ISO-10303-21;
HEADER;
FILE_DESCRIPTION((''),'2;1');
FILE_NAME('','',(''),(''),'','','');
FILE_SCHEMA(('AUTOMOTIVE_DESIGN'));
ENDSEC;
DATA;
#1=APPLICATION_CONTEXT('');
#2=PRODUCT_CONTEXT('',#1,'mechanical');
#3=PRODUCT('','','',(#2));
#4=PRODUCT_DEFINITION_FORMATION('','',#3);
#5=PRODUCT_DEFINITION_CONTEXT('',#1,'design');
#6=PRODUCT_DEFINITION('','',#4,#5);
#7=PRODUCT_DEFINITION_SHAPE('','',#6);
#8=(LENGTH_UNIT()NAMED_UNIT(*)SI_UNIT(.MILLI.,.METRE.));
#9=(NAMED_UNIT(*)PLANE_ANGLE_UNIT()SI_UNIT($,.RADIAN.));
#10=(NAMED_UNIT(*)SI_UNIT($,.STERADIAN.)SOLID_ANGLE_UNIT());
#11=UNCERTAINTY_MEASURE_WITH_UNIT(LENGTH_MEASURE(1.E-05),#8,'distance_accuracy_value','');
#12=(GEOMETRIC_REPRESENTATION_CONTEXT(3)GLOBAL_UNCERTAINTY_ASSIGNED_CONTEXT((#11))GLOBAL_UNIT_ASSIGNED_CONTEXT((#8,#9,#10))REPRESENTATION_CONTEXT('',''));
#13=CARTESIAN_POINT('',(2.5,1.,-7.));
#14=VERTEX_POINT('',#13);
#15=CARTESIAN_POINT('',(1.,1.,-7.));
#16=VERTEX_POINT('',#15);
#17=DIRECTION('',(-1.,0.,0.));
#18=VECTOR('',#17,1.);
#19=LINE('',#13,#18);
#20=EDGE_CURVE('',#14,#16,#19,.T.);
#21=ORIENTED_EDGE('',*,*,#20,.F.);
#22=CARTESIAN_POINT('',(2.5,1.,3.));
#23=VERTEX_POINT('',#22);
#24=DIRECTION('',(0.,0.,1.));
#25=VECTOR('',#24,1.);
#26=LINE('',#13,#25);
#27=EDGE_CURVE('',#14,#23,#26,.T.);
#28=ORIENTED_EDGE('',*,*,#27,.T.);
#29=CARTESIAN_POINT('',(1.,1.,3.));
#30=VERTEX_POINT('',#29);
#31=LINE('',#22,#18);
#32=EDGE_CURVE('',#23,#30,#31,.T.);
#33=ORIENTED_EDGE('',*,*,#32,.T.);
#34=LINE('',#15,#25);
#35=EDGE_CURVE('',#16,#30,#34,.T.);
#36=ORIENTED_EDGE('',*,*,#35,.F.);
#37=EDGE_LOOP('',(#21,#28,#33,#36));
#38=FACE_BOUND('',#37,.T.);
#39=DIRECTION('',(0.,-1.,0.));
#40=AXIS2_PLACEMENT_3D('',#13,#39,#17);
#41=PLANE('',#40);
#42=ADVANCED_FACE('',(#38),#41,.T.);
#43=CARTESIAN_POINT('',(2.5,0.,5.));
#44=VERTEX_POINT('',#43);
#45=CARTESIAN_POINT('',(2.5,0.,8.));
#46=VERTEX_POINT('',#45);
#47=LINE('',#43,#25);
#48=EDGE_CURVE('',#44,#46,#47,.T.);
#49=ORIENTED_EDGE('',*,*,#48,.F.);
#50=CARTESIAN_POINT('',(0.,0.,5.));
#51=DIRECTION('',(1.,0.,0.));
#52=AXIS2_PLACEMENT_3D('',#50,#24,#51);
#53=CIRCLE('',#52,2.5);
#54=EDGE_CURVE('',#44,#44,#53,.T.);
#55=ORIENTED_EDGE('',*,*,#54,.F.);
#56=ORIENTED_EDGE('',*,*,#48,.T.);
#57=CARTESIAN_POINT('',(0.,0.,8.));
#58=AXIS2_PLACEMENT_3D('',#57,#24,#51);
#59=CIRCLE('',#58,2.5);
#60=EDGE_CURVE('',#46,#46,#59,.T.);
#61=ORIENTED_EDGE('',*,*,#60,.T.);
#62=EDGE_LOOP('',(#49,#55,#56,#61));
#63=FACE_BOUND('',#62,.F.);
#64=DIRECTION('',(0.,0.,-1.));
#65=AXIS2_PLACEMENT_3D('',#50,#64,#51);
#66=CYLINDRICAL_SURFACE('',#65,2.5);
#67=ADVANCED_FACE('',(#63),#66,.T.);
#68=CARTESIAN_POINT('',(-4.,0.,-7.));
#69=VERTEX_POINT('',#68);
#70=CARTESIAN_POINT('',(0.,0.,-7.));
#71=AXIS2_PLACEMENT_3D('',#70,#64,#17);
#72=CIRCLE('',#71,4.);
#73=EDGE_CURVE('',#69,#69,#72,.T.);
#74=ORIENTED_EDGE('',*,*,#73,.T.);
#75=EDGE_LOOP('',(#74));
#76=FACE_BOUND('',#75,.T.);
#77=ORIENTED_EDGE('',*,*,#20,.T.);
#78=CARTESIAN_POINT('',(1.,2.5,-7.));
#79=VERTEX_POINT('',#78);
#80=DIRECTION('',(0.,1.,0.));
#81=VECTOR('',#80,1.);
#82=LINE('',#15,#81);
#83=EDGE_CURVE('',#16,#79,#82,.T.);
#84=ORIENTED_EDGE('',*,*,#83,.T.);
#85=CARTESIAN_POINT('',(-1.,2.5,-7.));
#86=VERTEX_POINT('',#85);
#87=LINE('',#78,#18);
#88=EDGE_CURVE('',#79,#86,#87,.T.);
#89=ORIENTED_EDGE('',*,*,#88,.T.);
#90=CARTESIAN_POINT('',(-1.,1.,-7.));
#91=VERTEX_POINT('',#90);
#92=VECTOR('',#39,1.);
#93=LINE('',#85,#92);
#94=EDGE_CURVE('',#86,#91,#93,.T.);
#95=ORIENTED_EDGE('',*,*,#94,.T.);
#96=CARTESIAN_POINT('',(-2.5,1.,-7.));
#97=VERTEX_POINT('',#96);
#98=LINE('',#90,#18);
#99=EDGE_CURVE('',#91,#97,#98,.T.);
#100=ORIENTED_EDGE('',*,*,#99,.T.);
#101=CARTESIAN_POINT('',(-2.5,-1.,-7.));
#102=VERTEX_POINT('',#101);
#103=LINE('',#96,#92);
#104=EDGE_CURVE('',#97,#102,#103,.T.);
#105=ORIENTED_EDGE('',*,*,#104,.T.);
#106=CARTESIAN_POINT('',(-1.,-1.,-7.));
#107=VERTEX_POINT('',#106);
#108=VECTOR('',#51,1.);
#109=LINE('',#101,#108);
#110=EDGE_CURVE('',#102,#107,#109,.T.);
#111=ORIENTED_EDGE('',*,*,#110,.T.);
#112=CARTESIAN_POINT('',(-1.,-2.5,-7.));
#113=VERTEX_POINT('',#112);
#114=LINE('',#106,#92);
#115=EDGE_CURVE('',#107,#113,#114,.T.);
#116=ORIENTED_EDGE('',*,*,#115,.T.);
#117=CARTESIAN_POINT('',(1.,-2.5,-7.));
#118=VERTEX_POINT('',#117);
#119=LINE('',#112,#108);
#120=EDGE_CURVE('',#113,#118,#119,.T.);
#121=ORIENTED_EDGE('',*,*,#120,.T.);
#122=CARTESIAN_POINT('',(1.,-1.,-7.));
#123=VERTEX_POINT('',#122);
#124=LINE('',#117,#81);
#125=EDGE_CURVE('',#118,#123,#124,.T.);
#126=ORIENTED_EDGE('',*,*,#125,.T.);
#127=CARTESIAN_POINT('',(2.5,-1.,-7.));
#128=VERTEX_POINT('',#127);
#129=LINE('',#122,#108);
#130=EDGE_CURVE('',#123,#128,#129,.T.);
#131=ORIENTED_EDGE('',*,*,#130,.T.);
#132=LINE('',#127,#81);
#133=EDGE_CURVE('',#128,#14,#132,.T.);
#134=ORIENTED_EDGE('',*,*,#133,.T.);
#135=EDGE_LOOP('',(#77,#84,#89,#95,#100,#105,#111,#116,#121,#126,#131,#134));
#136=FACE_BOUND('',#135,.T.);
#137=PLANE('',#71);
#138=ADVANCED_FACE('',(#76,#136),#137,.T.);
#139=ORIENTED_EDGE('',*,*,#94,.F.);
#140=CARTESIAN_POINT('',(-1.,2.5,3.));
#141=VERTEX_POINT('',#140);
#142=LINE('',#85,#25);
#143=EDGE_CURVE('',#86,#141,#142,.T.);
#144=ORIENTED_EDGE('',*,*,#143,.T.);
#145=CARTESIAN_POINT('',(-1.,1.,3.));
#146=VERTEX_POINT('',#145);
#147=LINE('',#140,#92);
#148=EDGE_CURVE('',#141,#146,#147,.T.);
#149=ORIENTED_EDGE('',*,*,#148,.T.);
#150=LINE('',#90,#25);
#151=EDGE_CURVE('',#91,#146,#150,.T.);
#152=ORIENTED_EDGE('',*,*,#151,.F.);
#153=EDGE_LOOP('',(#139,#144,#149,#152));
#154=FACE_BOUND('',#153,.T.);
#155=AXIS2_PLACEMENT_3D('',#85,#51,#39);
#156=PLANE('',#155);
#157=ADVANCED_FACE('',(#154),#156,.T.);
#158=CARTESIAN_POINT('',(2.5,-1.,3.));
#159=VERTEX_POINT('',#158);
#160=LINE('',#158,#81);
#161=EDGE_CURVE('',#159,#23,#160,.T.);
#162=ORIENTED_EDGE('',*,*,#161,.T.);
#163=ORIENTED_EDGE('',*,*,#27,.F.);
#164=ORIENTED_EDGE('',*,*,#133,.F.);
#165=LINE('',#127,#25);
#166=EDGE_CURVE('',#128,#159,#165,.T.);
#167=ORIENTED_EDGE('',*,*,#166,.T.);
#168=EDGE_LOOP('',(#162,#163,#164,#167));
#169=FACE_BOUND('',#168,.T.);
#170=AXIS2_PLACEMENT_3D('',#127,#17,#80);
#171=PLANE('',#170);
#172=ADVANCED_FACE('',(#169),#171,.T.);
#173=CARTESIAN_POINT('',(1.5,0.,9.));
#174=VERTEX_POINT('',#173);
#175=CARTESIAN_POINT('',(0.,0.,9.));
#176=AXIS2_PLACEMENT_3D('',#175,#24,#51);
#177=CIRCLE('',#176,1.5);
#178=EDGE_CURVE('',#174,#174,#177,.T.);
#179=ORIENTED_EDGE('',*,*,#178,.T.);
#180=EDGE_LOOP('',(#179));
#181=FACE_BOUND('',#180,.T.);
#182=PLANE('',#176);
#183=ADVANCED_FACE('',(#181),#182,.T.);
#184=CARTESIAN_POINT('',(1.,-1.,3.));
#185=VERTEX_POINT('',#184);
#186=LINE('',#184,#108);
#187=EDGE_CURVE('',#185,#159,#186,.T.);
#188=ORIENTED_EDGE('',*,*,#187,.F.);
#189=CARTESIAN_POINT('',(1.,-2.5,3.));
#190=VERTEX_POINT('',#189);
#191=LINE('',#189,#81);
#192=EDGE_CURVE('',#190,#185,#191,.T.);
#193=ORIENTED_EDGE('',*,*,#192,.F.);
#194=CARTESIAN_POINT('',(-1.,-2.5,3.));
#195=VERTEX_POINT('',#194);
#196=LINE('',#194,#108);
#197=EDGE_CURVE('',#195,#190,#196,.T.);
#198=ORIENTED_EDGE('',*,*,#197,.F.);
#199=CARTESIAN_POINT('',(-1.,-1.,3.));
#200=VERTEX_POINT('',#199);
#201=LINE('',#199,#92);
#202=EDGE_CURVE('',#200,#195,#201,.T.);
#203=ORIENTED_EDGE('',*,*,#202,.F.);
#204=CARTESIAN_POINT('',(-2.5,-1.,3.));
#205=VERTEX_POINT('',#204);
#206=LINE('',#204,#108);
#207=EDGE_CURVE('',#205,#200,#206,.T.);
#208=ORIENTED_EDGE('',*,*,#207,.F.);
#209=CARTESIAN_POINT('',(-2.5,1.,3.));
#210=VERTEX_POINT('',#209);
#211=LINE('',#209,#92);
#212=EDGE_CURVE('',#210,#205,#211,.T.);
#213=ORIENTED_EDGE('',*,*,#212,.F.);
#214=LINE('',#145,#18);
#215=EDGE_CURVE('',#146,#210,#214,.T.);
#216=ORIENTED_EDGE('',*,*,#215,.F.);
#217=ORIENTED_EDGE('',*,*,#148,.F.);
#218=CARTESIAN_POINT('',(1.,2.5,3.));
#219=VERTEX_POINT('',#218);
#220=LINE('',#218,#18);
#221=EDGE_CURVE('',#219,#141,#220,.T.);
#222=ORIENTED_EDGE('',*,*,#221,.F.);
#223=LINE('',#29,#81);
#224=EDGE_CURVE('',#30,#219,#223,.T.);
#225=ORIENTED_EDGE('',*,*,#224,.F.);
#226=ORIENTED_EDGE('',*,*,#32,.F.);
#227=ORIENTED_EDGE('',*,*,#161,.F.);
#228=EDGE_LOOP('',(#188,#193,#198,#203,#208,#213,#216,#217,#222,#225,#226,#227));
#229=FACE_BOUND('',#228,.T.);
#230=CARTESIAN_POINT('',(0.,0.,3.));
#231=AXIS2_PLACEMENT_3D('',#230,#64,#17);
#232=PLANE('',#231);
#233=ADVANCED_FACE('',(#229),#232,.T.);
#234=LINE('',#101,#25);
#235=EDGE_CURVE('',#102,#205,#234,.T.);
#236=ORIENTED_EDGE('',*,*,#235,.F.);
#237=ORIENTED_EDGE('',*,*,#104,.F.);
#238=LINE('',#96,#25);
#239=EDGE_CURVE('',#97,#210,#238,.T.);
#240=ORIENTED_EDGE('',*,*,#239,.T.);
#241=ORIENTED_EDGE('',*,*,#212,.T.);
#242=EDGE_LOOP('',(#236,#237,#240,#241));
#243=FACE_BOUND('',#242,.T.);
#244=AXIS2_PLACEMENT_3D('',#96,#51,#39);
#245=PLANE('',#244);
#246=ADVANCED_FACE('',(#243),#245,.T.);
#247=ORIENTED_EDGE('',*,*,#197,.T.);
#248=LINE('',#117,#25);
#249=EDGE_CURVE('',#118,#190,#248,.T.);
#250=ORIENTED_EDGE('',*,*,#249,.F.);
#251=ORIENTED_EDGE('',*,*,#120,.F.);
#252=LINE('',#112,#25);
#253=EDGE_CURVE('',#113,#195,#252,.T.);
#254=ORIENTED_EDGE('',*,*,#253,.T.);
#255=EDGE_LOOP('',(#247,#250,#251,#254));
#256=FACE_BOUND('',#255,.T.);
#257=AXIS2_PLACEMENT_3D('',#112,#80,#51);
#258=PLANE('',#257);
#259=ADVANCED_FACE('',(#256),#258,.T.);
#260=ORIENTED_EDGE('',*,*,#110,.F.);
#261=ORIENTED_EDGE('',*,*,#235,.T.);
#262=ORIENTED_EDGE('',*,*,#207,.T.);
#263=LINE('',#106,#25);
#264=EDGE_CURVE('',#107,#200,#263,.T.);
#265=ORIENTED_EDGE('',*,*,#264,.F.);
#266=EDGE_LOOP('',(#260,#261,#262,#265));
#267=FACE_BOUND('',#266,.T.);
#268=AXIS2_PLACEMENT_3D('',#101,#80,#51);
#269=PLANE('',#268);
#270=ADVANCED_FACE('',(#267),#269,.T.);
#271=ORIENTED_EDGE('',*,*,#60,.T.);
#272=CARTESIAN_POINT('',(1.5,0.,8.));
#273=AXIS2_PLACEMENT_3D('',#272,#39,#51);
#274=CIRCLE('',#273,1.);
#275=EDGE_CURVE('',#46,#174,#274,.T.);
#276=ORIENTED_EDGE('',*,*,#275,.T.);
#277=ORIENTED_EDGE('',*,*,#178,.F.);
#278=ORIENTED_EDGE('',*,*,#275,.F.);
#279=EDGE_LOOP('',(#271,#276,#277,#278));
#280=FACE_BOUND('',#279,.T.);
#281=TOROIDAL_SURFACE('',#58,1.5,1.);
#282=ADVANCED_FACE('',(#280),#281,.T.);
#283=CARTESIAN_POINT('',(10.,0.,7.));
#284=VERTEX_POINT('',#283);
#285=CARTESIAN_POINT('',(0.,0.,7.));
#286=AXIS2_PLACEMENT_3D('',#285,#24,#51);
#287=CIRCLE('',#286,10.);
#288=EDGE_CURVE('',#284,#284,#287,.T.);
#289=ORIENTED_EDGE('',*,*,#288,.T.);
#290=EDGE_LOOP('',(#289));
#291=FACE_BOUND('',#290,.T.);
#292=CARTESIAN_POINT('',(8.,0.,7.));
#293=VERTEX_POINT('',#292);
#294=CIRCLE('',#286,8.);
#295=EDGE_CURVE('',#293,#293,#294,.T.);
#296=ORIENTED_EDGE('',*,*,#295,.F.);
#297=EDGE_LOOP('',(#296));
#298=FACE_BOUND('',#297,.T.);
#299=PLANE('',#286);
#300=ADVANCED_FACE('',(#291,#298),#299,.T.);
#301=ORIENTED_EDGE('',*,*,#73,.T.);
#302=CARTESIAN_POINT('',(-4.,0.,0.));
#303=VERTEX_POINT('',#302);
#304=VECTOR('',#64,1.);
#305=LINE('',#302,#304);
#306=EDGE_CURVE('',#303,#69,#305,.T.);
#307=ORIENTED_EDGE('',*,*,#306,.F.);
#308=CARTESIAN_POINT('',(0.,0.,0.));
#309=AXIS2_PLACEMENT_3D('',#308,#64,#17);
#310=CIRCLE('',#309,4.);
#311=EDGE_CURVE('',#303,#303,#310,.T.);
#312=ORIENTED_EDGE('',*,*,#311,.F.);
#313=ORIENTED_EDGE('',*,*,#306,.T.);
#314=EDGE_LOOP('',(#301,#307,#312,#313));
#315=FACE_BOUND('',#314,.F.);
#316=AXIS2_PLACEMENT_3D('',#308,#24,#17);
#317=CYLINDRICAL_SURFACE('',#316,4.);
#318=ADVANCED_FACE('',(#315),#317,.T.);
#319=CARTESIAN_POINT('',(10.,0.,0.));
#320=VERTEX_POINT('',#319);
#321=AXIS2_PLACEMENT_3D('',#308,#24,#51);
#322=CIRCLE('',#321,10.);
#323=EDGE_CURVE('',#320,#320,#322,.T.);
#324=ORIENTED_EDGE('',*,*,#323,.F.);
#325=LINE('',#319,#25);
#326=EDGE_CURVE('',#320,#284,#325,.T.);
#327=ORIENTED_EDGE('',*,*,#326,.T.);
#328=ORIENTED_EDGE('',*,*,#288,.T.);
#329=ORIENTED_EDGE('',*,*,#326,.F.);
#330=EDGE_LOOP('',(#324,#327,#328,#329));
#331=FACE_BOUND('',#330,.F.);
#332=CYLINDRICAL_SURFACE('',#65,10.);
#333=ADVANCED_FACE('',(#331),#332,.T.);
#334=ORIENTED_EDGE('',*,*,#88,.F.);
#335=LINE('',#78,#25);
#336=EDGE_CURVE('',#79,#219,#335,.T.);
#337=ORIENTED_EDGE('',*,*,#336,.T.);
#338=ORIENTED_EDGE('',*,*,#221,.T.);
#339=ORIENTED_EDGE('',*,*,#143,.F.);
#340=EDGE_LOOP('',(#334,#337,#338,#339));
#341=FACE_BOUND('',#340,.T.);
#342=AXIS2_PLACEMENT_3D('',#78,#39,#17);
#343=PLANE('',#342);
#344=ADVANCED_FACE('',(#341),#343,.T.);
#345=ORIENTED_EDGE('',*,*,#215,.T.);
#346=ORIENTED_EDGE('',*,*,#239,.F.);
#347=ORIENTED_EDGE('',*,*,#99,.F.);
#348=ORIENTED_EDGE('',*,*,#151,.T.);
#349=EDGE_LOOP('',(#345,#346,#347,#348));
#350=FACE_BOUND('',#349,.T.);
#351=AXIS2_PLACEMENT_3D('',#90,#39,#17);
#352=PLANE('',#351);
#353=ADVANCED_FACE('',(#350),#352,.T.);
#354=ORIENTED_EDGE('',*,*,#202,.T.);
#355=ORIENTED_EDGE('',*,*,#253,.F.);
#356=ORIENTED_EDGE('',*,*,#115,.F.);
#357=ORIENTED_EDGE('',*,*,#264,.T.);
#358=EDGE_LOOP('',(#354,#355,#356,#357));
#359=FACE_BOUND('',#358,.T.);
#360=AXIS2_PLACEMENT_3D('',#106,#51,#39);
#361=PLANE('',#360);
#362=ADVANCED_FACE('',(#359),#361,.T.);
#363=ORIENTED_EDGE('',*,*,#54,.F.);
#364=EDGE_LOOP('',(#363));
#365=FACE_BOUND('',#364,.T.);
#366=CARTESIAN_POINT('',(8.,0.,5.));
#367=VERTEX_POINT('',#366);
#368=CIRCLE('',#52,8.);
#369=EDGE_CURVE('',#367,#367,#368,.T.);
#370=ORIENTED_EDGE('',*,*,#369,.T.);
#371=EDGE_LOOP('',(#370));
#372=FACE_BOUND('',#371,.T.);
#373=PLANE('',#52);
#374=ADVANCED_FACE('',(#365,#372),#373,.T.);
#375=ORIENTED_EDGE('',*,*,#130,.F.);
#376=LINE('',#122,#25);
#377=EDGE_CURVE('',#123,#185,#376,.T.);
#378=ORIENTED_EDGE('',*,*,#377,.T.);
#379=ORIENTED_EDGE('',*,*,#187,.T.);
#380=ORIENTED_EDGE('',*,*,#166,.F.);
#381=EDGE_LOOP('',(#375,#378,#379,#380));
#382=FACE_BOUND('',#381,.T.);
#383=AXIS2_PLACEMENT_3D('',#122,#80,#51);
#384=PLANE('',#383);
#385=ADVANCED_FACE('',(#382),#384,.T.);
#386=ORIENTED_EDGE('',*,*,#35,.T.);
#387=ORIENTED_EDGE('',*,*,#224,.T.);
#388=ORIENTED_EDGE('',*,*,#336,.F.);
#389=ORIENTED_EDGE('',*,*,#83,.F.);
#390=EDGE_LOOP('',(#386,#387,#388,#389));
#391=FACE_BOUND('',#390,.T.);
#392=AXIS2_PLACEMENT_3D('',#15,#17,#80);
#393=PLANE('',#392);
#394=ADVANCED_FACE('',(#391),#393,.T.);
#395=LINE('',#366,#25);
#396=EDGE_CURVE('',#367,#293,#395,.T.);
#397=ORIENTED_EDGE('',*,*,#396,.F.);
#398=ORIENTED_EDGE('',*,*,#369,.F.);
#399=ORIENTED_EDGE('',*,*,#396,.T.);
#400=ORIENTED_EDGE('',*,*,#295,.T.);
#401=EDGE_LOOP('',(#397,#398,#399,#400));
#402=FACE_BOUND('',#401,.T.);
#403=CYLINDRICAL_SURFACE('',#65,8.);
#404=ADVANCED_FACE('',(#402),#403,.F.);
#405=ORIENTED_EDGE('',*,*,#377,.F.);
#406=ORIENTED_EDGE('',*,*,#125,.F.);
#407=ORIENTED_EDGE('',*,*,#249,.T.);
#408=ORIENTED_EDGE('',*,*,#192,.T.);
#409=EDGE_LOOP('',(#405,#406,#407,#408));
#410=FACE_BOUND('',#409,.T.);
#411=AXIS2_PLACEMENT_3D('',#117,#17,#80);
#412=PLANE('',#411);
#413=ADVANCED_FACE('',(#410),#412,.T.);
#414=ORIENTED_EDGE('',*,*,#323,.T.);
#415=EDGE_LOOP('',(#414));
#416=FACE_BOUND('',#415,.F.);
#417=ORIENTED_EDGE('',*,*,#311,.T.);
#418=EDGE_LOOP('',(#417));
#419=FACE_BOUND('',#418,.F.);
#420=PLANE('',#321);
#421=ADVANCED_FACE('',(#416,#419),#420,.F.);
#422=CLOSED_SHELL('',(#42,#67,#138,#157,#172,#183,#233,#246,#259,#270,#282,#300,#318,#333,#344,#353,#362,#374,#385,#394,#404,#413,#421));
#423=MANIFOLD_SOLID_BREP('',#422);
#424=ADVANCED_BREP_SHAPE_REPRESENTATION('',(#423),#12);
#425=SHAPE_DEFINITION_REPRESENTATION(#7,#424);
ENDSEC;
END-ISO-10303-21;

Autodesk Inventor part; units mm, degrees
ref_plane "YZ Plane" through (0, 0, 0) normal (1, 0, 0) x (0, 1, 0)
ref_plane "XZ Plane" through (0, 0, 0) normal (0, 1, 0) x (-1, 0, 0)
ref_plane "XY Plane" through (0, 0, 0) normal (0, 0, 1) x (1, 0, 0)
sketch "Sketch1" plane through (0, 0, 0) normal (0, 0, 1) x (1, 0, 0)
  circle A0 centre (0, 0) radius 10
  dimension "d0" = 20
extrude "Extrusion1" add sketch "Sketch1" along normal blind 5
sketch "Sketch2" plane through (0, 0, 0) normal (0, 0, -1) x (-1, 0, 0)
  circle A0 centre (0, 0) radius 4
  dimension "d3" = 8
extrude "Extrusion2" add sketch "Sketch2" along normal blind 7
sketch "Sketch3" plane through (0, 0, 5) normal (0, 0, 1) x (1, 0, 0)
  circle A0 centre (0, 0) radius 2.5
  dimension "d6" = 5
extrude "Extrusion3" add sketch "Sketch3" along normal blind 4
fillet "Fillet1" radius 1 1 edges at (-2.5, 0, 9)
sketch "Sketch4" plane through (0, 0, 5) normal (0, 0, 1) x (1, 0, 0)
  circle A0 centre (0, 0) radius 8
  circle A1 centre (0, 0) radius 10
  dimension "d10" = 2
  dimension "d11" = 20
extrude "Extrusion4" add sketch "Sketch4" along normal blind 2
sketch "Sketch5" plane through (0, 0, -7) normal (0, 0, -1) x (-1, 0, 0)
  line L0 (2.5, 1) -> (2.5, -1)
  line L1 (-2.5, -1) -> (-2.5, 1)
  line L2 (-1, 2.5) -> (1, 2.5)
  line L3 (1, -2.5) -> (-1, -2.5)
  line L4 (-2.5, 1) -> (-1, 1)
  line L5 (1, 1) -> (2.5, 1)
  line L6 (-1, -2.5) -> (-1, -1)
  line L7 (-1, 1) -> (-1, 2.5)
  line L8 (2.5, -1) -> (1, -1)
  line L9 (-1, -1) -> (-2.5, -1)
  line L10 (1, 2.5) -> (1, 1)
  line L11 (1, -1) -> (1, -2.5)
  point P0 (0, 0)
  dimension "d14" = 5
  dimension "d15" = 5
  dimension "d16" = 2
  dimension "d17" = 2
  dimension "d20" = 2.5
  dimension "d21" = 2.5
extrude "Extrusion5" cut sketch "Sketch5" against normal blind 10
properties part number "ArmClutchInsert"
